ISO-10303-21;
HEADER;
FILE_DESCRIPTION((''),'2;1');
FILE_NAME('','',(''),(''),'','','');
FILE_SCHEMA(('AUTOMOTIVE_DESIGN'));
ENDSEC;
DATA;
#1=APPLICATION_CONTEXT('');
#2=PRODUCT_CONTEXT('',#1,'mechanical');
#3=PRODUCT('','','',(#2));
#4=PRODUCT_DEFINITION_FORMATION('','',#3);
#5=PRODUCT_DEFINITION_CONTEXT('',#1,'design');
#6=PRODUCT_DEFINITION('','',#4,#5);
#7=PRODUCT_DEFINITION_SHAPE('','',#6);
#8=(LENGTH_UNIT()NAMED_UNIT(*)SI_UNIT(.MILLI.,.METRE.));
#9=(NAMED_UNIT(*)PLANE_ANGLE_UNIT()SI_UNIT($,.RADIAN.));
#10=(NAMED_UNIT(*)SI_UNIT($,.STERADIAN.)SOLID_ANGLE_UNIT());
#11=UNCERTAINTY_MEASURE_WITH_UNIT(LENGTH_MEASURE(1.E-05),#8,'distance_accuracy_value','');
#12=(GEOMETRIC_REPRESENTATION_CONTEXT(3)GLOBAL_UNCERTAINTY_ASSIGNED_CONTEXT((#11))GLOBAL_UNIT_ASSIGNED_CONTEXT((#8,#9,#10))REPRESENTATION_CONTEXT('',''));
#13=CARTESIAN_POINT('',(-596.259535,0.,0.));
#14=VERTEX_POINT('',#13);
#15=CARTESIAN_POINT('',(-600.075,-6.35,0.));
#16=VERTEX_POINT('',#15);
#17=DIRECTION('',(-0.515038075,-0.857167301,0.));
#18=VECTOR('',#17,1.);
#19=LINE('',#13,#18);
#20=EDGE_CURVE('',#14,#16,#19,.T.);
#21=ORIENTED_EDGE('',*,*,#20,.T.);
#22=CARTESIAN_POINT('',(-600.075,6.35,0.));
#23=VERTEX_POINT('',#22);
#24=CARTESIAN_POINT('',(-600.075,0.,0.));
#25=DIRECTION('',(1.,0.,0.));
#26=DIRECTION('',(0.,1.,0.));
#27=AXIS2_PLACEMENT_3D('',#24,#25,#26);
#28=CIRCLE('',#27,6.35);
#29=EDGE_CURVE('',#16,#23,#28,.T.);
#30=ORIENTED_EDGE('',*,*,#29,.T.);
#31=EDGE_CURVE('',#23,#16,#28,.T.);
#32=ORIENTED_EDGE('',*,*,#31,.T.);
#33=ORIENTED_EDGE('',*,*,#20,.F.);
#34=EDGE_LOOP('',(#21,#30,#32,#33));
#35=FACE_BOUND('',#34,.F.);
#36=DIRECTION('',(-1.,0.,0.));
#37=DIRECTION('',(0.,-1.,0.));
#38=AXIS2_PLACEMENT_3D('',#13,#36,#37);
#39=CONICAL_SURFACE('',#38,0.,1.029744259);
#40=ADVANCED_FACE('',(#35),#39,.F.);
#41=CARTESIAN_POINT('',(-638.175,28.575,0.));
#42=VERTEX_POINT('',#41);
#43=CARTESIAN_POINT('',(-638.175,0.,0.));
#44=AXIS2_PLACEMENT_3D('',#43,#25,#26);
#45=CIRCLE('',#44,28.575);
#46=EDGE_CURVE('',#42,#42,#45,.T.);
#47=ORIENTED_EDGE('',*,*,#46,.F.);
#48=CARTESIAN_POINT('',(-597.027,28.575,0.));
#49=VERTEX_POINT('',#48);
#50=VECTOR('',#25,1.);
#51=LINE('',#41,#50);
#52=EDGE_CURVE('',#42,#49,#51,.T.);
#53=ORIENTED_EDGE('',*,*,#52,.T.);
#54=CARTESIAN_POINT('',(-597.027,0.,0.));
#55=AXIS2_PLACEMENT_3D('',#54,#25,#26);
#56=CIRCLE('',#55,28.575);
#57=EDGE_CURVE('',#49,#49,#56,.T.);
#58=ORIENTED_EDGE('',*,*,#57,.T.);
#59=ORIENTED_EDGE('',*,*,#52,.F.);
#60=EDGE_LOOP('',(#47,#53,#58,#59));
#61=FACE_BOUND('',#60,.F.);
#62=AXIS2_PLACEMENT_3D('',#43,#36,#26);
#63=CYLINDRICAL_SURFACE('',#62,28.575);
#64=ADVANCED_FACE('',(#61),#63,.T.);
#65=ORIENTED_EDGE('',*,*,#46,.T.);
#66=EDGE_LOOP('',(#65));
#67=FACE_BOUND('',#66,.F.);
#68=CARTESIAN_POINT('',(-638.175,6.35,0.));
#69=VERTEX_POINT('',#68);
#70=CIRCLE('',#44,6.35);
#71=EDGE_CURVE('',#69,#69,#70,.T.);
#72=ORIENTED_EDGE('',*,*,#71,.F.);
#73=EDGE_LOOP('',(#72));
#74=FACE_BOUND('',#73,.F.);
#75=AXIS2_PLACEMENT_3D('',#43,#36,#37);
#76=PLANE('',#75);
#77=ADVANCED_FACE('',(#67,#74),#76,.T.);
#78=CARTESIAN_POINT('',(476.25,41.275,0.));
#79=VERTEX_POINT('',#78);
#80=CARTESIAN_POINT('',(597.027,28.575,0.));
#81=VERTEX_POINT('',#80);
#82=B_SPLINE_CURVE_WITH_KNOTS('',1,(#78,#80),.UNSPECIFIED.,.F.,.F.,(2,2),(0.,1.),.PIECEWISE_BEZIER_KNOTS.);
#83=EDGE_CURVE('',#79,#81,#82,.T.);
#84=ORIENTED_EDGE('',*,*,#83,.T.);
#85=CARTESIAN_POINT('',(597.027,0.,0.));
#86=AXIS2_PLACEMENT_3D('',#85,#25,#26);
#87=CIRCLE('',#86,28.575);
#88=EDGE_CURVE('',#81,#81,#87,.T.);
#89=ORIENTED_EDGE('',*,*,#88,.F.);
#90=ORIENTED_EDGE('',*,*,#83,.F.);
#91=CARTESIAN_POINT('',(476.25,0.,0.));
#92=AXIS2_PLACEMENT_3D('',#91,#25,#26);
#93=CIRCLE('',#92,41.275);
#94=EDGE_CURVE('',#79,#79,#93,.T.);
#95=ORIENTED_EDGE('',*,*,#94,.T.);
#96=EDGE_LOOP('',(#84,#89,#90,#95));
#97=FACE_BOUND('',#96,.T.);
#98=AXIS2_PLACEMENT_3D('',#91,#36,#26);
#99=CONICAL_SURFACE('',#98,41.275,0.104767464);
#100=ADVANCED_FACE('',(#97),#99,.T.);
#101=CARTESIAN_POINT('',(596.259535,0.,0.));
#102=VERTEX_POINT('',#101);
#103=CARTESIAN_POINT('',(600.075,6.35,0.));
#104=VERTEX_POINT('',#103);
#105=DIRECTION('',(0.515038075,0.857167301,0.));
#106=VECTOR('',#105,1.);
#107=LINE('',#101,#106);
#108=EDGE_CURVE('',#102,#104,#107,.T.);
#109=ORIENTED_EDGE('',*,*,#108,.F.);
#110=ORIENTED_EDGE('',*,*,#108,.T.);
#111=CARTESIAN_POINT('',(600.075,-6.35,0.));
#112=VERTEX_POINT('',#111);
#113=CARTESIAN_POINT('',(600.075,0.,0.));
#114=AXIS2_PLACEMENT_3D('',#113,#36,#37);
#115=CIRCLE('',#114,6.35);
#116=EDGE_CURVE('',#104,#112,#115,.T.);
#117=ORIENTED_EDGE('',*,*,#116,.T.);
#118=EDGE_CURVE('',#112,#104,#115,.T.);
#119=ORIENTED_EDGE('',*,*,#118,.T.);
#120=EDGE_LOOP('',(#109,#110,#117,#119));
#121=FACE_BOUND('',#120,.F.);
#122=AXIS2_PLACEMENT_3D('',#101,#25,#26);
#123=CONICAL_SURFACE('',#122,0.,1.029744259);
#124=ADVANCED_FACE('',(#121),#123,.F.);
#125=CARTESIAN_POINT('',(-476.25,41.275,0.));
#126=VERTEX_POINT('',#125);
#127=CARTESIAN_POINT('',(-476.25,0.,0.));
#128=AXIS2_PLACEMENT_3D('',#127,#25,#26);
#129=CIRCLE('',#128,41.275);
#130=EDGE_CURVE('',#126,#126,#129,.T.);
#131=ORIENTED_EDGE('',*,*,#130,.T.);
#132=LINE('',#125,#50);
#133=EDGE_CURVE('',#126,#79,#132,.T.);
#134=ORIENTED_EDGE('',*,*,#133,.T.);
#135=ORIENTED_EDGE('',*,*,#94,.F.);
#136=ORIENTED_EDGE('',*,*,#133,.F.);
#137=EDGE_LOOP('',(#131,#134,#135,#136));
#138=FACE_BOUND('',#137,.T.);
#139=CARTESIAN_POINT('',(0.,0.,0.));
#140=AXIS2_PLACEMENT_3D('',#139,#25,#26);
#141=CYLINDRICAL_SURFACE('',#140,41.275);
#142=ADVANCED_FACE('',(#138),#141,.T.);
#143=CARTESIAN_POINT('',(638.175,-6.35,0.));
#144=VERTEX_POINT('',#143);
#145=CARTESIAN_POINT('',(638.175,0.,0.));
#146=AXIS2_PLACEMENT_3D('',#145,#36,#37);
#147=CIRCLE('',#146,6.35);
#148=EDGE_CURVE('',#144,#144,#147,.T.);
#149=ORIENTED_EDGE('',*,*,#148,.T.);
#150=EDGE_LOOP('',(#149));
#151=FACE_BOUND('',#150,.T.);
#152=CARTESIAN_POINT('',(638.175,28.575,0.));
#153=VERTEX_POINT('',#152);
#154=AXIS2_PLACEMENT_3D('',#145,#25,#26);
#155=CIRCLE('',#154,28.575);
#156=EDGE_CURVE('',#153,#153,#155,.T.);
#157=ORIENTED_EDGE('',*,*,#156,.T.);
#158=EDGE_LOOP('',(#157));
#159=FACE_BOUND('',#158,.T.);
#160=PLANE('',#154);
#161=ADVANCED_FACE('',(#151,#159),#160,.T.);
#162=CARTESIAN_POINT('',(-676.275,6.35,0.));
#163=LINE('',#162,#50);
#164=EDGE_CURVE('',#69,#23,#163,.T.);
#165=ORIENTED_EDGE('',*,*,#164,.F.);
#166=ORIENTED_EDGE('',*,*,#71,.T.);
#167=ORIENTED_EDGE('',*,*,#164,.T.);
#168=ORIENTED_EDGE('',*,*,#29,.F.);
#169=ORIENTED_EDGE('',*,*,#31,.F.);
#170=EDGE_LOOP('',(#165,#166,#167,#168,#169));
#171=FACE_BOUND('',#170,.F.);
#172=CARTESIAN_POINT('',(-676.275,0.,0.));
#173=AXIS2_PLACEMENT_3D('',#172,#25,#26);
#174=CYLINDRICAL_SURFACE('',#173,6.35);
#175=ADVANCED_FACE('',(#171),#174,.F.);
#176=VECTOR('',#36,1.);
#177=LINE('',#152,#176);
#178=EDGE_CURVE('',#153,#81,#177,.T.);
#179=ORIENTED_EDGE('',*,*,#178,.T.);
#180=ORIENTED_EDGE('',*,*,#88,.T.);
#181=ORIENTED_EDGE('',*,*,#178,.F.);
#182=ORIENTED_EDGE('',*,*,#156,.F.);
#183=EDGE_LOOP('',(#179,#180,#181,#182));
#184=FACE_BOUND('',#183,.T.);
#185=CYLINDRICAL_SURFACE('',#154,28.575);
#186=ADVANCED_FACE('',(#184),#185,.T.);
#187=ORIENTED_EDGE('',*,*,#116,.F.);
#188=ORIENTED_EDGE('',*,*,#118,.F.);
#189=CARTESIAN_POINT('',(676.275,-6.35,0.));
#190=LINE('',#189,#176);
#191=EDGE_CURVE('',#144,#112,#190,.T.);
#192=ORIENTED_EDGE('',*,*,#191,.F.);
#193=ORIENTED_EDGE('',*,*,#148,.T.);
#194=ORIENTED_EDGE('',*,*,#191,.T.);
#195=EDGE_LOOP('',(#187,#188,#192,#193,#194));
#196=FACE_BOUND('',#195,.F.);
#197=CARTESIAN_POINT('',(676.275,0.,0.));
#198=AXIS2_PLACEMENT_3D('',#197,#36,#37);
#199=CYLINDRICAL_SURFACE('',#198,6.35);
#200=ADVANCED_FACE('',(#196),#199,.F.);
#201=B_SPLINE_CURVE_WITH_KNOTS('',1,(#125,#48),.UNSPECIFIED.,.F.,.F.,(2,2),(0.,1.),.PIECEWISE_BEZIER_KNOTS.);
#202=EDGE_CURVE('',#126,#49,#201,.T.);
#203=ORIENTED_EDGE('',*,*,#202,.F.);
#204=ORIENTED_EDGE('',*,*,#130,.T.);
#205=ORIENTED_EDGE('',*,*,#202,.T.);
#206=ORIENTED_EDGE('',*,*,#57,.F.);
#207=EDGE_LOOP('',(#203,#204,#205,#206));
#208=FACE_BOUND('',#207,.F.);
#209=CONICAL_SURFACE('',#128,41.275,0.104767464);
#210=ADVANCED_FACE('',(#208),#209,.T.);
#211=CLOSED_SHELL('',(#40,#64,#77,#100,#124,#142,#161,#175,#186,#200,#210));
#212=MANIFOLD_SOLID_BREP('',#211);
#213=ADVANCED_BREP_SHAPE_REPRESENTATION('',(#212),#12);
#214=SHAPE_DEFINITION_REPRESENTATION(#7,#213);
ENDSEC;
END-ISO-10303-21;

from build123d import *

# Parameters (mm, degrees)
F0_R           = 41.275
F1_DEPTH       = 476.25
F3_R           = 28.575
F4_DEPTH       = 41.148
F1_FACE_R      = 41.275
F4_FACE_R      = 28.575
F9_D           = 12.7
F9_DEPTH       = 38.1
F9_TIP         = 3.8154649308
F9_ON_F7_D     = 12.7
F9_ON_F7_DEPTH = 38.1
F9_ON_F7_TIP   = 3.8154649308


with BuildPart() as f1:
    # F0 (on Right) → F1 (new body, symmetric)
    with BuildSketch(Plane.YZ):
        Circle(F0_R)
    extrude(amount=F1_DEPTH, both=True)



with BuildPart() as f4:
    # F3 (on offset) → F4 (new body)
    with BuildSketch(Plane.YZ.offset(638.175)):
        Circle(F3_R)
    extrude(amount=-F4_DEPTH)


with BuildPart() as f1_1:
    add(f1.part)

    add(f4.part)  # F5 merges F4
    # F1_face (on face) → F5 section 0
    with BuildSketch(Plane.YZ.offset(476.25)):
        Circle(F1_FACE_R)
    # F4_face (on face) → F5 section 1
    with BuildSketch(Plane(origin=(597.027, 0, 0), x_dir=(0, 1, 0), z_dir=(-1, 0, 0))):
        Circle(F4_FACE_R)
    loft()

    # F6: F1 across plane


with BuildPart() as f1_2:
    add(f1_1.part)
    add(f1_1.part.mirror(Plane.YZ))

    # F9
    with Locations(Plane(origin=(-638.175, 0, 0), x_dir=(0, -1, 0), z_dir=(-1, 0, 0))):
        with Locations((0, 0)):
            Hole(F9_D / 2, depth=F9_DEPTH)
            with Locations((0, 0, -(F9_DEPTH + F9_TIP / 2))):  # 118° drill point
                Cone(0, F9_D / 2, F9_TIP, mode=Mode.SUBTRACT)

    # F9 on F7
    with Locations(Plane.YZ.offset(638.175)):
        with Locations((0, 0)):
            Hole(F9_ON_F7_D / 2, depth=F9_ON_F7_DEPTH)
            with Locations((0, 0, -(F9_ON_F7_DEPTH + F9_ON_F7_TIP / 2))):  # 118° drill point
                Cone(0, F9_ON_F7_D / 2, F9_ON_F7_TIP, mode=Mode.SUBTRACT)


solid = f1_2.part
